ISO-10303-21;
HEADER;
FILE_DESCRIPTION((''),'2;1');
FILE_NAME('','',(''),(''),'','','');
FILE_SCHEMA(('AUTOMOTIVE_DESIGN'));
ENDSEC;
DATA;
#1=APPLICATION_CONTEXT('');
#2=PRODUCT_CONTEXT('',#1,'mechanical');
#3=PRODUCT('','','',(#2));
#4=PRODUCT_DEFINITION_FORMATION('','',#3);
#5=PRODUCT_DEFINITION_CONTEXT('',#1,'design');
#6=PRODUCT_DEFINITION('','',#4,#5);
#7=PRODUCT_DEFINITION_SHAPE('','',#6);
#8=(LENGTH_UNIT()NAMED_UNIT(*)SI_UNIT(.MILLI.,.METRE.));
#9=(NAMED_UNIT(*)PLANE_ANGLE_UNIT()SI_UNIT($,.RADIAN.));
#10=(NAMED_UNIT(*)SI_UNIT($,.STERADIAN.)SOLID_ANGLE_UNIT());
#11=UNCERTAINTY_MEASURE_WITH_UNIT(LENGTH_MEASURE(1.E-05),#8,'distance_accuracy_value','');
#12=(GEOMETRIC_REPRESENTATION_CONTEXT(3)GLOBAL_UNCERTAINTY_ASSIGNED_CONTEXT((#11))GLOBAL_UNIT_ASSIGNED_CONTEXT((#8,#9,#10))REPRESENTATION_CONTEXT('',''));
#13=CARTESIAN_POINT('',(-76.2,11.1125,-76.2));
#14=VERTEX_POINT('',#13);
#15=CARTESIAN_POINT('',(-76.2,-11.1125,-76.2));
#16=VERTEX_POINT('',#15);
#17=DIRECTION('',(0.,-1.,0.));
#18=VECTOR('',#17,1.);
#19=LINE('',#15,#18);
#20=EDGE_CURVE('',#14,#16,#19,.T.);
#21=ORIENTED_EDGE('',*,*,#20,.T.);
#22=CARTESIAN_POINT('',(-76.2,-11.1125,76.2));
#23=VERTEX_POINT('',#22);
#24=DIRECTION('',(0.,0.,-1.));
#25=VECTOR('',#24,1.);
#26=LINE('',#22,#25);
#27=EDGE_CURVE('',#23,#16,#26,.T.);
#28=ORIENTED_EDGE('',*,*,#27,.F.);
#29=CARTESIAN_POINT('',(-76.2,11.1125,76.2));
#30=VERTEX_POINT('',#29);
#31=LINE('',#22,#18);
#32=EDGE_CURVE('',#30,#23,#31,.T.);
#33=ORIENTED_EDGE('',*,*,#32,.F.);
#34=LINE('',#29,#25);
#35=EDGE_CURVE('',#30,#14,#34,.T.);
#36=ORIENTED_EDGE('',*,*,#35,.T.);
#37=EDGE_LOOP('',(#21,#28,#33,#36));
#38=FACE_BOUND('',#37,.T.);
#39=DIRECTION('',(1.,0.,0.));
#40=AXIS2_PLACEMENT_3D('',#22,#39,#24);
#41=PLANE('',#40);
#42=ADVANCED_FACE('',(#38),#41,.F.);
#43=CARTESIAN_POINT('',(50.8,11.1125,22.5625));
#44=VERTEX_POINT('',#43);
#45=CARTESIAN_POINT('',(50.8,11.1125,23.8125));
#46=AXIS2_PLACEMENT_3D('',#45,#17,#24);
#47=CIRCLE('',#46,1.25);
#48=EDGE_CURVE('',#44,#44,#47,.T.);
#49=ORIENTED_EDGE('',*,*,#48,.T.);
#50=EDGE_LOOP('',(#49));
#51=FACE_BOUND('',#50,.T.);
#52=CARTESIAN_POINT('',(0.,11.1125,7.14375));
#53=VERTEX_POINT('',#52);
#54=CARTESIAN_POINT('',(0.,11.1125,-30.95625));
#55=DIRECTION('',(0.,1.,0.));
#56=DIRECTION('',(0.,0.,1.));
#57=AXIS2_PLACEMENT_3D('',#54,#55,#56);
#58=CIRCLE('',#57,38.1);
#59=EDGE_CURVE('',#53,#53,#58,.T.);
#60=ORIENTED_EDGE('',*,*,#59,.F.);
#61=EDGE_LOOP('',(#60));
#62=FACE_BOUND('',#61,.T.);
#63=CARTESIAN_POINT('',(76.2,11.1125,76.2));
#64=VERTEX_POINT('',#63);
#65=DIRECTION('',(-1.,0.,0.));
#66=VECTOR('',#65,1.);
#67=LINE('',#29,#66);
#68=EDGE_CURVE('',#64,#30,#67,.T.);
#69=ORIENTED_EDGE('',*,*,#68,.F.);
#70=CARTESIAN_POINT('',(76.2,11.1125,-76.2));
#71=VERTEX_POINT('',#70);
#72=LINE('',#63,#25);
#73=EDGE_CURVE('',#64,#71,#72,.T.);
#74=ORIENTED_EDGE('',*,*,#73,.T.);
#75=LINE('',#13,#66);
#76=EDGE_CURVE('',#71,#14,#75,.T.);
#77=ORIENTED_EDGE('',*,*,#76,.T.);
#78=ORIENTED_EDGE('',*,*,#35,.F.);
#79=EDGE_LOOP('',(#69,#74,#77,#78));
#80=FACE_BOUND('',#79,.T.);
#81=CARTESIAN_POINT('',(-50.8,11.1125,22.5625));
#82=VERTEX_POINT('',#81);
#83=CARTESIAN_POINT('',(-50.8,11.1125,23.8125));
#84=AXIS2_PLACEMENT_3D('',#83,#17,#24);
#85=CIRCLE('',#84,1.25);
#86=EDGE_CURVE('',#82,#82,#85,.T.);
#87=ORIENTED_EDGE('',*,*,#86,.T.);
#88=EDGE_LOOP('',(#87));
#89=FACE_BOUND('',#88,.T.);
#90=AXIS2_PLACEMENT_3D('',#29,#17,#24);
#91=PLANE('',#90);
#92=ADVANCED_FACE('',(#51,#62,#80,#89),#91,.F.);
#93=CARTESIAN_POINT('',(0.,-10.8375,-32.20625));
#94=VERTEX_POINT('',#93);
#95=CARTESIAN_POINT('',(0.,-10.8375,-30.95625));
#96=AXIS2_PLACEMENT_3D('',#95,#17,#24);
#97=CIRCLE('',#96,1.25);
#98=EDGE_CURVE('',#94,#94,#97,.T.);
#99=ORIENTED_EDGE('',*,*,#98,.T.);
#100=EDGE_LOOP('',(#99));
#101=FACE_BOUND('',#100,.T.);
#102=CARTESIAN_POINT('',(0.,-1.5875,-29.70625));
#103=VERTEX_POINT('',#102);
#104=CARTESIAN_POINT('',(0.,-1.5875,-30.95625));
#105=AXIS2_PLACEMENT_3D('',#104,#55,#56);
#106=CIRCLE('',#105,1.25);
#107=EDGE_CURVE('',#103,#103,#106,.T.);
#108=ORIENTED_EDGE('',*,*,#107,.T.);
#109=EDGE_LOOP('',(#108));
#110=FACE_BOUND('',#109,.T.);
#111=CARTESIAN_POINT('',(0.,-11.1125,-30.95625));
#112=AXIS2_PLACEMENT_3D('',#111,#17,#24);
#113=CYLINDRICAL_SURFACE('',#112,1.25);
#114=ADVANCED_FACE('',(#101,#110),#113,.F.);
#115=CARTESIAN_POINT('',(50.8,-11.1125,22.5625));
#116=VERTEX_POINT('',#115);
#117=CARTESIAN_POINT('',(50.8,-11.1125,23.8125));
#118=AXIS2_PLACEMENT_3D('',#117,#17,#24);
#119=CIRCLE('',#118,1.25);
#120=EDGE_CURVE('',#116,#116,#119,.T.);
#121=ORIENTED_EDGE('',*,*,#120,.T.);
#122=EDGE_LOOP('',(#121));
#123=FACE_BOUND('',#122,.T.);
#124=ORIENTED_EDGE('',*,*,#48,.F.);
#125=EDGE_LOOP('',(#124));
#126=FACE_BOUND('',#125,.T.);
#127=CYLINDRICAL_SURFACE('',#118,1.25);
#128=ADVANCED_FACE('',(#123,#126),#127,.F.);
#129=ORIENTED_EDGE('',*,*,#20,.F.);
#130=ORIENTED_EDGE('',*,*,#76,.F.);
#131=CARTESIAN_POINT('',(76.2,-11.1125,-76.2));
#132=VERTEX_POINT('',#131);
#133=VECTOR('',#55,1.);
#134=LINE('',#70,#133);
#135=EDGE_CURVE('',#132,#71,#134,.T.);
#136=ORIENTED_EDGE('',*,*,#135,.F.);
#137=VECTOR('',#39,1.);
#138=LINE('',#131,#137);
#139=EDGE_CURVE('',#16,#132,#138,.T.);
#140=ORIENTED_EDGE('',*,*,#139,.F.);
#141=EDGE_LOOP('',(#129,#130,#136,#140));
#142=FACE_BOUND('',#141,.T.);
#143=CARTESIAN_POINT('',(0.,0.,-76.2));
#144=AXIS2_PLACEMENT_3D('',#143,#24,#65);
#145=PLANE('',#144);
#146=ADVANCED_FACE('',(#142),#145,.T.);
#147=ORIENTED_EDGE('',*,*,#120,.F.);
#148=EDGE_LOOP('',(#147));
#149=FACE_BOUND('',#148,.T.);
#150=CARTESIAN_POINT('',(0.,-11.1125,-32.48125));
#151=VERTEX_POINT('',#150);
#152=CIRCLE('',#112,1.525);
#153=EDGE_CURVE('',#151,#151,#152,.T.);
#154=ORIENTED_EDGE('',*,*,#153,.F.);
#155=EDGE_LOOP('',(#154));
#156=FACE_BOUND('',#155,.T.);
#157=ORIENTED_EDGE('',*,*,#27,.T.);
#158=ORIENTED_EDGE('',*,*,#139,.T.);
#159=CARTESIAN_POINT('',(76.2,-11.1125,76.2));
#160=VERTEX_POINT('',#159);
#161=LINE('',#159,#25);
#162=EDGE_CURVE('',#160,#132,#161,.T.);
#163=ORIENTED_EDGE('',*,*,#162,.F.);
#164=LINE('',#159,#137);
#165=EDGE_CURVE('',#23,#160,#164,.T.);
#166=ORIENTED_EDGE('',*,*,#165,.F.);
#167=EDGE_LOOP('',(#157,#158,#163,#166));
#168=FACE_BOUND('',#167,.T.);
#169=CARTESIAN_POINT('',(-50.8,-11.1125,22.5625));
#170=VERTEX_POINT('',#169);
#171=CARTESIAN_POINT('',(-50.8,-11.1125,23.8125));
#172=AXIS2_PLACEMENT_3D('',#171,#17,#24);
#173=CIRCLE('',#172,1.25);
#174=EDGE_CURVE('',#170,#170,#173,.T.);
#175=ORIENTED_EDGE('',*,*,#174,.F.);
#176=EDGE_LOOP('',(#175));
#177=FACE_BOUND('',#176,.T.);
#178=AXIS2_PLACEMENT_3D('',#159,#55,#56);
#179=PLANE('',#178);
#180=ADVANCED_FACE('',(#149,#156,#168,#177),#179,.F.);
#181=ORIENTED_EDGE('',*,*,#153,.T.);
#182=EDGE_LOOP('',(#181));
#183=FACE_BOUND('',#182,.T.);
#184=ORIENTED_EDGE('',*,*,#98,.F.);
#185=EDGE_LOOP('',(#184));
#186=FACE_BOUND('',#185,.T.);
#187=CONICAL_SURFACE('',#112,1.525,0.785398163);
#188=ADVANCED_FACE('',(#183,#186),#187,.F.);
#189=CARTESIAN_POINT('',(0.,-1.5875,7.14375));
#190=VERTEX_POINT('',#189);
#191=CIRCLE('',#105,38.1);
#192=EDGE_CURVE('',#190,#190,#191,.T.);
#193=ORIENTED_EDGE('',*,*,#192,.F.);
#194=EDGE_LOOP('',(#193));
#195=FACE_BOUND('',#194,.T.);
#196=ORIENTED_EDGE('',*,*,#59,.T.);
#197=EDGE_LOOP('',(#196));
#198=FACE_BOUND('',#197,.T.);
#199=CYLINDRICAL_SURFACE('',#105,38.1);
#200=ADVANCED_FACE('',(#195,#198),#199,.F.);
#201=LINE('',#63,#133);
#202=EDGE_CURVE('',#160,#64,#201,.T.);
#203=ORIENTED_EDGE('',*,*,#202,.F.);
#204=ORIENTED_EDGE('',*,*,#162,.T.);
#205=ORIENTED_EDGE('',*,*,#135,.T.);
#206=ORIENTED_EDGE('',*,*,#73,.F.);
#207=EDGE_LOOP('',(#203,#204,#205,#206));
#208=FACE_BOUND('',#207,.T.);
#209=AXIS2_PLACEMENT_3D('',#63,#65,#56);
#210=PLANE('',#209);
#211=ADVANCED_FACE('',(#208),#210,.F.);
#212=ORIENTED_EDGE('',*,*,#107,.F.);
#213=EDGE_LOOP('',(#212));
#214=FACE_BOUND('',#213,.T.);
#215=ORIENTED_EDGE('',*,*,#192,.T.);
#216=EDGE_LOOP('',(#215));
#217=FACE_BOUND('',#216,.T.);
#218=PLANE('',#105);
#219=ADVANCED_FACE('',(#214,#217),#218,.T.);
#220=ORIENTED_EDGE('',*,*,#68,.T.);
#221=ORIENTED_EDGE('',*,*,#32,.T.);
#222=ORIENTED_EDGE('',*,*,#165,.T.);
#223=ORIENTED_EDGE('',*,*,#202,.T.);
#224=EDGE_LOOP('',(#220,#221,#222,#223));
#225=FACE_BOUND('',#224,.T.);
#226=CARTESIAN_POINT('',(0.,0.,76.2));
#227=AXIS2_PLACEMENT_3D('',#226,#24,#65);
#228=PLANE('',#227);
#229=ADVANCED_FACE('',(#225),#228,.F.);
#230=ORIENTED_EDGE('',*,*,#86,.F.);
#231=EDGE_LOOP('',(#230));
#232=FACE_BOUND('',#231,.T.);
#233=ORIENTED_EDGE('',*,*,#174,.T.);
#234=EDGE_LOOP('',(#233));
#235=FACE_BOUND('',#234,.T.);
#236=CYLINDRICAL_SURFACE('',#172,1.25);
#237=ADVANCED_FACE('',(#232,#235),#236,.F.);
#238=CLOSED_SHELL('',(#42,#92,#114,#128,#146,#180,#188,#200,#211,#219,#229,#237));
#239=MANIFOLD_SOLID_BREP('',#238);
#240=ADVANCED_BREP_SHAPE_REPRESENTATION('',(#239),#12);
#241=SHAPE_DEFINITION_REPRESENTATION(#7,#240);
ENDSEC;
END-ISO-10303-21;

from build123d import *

# Parameters (mm, degrees)
SKETCH3_W                   = 152.4
SKETCH3_H                   = 22.225
BOSS_EXTRUDE1_DEPTH         = 76.2
M3_TAPPED_HOLE1_D           = 2.5
SKETCH10_R                  = 38.1
CUT_EXTRUDE3_DEPTH          = 12.7
M3_TAPPED_HOLE2_D           = 2.5
M3_TAPPED_HOLE2_CSINK_D     = 3.05
M3_TAPPED_HOLE2_CSINK_ANGLE = 90


with BuildPart() as part:
    # Sketch3 → Boss-Extrude1 (new, symmetric)
    with BuildSketch(Plane.XY):
        Rectangle(SKETCH3_W, SKETCH3_H)
    extrude(amount=BOSS_EXTRUDE1_DEPTH, both=True)

    # M3 Tapped Hole1 (through all)
    with Locations(Plane(origin=(0, -11.1125, 0), x_dir=(-1, 0, 0), z_dir=(0, -1, 0))):
        with Locations((-50.8, -23.8125), (50.8, -23.8125)):
            Hole(M3_TAPPED_HOLE1_D / 2)

    # Sketch10 → Cut-Extrude3 (cut)
    with BuildSketch(Plane(origin=(0, 11.1125, 0), x_dir=(1, 0, 0), z_dir=(0, 1, 0))):
        with Locations(Location((0, 30.95625, 0), (0, 0, 270))):
            Circle(SKETCH10_R)
    extrude(amount=-CUT_EXTRUDE3_DEPTH, mode=Mode.SUBTRACT)

    # M3 Tapped Hole2 (through all)
    with Locations(Plane(origin=(0, -11.1125, 0), x_dir=(-1, 0, 0), z_dir=(0, -1, 0))):
        with Locations((0, 30.95625)):
            CounterSinkHole(M3_TAPPED_HOLE2_D / 2, M3_TAPPED_HOLE2_CSINK_D / 2, counter_sink_angle=M3_TAPPED_HOLE2_CSINK_ANGLE)


solid = part.part
